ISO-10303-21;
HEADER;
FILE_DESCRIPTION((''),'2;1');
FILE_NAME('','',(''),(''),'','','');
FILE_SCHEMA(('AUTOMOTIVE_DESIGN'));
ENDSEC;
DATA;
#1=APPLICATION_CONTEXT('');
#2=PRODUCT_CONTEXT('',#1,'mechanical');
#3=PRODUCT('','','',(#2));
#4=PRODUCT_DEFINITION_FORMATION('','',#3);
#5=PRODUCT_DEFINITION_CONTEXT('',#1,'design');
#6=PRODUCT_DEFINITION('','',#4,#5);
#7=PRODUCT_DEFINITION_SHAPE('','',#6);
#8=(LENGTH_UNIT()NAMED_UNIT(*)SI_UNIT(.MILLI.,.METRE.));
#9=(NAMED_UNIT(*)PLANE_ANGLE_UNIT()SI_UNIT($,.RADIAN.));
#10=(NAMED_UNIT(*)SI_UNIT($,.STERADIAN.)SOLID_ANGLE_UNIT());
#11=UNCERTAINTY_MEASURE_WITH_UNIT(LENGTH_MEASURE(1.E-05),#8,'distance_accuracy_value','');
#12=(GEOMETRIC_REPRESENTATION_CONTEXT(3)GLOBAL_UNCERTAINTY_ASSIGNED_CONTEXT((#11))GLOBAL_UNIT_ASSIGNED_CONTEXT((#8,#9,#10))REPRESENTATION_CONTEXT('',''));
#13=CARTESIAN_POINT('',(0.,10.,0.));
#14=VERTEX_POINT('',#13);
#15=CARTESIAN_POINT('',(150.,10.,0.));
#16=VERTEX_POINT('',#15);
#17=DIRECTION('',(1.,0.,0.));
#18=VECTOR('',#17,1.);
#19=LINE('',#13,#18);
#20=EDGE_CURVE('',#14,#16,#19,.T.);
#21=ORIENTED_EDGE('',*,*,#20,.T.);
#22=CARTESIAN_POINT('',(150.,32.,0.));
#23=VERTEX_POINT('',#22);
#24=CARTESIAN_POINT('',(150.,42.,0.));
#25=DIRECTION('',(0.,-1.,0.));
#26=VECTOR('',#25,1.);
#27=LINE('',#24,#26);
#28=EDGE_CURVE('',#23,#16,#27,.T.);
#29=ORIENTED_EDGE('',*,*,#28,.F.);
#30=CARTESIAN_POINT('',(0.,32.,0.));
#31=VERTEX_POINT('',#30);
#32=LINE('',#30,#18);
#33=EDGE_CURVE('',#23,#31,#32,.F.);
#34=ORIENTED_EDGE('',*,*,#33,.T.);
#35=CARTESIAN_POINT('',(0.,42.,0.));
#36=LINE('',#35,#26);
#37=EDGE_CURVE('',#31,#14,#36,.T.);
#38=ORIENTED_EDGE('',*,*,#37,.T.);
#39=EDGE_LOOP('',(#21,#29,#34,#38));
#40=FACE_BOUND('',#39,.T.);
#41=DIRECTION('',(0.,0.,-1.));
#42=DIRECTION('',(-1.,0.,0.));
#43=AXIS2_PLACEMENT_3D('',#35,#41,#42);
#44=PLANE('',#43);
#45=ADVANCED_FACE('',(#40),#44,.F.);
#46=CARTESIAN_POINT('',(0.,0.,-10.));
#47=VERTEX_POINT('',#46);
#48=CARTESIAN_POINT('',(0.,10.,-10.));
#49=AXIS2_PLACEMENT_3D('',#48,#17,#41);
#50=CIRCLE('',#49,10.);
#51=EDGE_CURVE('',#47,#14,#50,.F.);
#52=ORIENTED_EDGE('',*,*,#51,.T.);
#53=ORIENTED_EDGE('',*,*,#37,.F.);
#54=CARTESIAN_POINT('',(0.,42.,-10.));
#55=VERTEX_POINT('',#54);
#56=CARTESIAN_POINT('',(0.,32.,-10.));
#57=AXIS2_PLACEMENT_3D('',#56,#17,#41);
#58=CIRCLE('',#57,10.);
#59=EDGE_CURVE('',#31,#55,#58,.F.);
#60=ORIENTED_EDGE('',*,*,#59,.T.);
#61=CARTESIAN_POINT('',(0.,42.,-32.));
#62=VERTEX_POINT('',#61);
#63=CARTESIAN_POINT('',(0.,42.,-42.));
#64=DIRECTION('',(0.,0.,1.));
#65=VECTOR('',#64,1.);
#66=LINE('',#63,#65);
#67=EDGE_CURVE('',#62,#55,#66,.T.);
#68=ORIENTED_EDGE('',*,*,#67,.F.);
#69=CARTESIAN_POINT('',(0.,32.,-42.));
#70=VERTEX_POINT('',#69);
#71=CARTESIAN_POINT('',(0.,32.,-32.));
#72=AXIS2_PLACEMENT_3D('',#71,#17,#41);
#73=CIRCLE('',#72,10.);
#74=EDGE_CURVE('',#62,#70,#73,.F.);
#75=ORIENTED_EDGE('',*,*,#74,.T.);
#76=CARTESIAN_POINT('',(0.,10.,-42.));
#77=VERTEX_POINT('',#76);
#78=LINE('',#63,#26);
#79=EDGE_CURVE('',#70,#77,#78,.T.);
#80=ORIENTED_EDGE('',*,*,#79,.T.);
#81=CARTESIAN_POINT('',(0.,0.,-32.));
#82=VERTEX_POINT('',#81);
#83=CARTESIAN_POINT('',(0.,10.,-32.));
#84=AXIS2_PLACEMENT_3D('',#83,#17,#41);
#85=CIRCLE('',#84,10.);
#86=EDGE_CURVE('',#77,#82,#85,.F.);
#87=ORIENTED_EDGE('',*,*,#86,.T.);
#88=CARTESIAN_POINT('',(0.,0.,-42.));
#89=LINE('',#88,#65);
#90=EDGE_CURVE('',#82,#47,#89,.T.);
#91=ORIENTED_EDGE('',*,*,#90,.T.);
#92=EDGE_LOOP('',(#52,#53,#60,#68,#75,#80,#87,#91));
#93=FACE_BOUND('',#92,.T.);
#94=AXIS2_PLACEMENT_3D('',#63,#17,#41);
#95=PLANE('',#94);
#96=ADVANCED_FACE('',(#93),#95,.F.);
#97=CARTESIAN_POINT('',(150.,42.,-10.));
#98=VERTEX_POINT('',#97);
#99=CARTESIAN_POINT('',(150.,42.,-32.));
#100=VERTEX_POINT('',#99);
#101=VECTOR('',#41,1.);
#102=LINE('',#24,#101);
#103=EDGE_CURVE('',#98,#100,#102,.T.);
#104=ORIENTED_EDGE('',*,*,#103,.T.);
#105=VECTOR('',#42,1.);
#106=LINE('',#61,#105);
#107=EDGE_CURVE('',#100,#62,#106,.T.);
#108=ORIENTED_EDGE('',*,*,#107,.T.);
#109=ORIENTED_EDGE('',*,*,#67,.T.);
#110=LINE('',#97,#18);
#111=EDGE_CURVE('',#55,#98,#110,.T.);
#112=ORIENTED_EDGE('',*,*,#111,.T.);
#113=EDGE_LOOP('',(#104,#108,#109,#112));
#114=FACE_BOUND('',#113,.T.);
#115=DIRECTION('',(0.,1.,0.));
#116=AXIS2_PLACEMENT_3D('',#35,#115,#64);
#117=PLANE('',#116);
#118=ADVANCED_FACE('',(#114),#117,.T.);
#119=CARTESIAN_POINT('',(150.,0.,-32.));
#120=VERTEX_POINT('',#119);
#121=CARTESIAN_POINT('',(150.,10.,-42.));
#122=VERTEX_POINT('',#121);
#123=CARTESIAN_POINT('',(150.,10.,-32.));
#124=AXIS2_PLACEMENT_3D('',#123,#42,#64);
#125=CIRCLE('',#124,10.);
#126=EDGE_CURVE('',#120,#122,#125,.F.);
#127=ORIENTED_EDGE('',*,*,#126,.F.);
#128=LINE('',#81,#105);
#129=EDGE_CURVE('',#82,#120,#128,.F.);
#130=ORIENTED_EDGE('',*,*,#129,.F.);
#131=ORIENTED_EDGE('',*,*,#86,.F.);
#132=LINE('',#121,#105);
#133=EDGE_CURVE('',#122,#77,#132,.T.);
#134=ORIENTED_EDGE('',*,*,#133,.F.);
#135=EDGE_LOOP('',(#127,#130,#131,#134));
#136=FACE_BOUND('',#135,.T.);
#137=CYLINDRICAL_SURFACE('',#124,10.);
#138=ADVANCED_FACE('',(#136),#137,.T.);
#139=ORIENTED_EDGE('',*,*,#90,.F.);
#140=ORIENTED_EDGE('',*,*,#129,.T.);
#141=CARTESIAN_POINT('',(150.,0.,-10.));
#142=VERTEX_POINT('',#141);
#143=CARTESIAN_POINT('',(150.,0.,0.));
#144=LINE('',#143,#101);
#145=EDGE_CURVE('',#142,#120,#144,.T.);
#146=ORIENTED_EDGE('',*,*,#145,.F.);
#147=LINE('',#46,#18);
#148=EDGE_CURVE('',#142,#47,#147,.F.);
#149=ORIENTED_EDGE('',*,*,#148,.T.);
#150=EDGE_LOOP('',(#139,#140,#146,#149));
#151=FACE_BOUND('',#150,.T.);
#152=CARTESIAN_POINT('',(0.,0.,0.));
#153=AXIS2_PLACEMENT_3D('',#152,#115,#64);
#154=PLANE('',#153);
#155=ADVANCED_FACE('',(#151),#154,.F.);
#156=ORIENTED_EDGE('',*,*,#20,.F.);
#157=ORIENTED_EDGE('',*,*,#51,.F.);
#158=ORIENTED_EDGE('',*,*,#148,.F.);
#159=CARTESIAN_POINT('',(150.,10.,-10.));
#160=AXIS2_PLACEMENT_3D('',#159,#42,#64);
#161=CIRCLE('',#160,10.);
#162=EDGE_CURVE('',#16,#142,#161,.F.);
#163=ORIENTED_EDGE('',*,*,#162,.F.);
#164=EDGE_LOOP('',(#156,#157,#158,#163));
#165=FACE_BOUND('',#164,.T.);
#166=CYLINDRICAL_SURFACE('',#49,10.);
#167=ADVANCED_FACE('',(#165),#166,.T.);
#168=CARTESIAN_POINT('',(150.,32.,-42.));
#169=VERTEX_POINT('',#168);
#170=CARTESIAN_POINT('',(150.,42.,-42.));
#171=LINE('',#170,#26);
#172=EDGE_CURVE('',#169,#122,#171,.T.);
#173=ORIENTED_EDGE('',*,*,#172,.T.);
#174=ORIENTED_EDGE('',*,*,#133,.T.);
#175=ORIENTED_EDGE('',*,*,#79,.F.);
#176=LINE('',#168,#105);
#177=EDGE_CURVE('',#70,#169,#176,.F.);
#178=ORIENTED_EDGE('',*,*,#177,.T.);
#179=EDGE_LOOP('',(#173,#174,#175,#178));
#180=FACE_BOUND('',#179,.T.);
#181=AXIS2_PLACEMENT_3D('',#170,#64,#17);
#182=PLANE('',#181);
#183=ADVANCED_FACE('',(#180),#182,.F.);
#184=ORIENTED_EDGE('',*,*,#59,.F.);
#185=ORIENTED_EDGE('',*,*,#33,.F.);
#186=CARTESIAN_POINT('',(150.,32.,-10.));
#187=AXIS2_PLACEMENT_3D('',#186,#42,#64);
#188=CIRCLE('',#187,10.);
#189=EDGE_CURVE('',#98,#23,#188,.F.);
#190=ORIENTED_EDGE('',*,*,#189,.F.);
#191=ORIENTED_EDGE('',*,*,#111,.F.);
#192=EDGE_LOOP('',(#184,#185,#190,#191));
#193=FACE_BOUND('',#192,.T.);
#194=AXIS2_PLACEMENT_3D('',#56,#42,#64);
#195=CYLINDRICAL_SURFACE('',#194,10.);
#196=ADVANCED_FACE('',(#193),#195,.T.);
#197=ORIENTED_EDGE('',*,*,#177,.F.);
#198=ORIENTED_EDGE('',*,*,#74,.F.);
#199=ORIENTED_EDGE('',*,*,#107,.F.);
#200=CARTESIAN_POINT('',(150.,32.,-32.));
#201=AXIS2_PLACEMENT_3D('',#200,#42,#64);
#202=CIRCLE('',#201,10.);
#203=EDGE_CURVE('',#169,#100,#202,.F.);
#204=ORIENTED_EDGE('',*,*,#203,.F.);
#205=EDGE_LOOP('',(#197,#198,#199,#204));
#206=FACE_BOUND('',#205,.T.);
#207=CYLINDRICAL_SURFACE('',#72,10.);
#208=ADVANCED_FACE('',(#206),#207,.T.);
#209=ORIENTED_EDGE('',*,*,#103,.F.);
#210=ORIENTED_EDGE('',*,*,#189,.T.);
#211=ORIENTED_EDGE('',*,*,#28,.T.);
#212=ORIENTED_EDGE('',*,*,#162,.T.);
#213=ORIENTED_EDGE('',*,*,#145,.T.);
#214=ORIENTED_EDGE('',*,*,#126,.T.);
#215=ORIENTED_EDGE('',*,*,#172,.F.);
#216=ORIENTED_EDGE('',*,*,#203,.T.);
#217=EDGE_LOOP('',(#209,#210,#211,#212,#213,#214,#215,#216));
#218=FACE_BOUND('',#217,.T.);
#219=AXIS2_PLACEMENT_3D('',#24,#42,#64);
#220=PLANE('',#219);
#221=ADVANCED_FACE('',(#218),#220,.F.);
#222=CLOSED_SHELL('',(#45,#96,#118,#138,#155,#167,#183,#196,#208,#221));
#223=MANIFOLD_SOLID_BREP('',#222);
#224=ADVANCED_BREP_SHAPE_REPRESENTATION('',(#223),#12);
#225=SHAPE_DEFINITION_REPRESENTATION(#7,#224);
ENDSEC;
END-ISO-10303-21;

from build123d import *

# Parameters (mm, degrees)
SKETCH_1_W      = 150
SKETCH_1_H      = 42
EXTRUDE_1_DEPTH = 42
FILLET_1_R      = 10


with BuildPart() as part:
    # 草图1 → 凸台-拉伸1 (new body)
    with BuildSketch(Plane(origin=(0, 0, 0), x_dir=(1, 0, 0), z_dir=(0, 1, 0))):
        with Locations((75, 21)):
            Rectangle(SKETCH_1_W, SKETCH_1_H)
    extrude(amount=EXTRUDE_1_DEPTH)

    # 圆角1
    fillet_1_edges = [part.edges().sort_by_distance(p)[0] for p in [
        (75, 42, -42),
        (75, 0, -42),
        (75, 0, 0),
        (75, 42, 0),
    ]]
    fillet(fillet_1_edges, radius=FILLET_1_R)


solid = part.part
